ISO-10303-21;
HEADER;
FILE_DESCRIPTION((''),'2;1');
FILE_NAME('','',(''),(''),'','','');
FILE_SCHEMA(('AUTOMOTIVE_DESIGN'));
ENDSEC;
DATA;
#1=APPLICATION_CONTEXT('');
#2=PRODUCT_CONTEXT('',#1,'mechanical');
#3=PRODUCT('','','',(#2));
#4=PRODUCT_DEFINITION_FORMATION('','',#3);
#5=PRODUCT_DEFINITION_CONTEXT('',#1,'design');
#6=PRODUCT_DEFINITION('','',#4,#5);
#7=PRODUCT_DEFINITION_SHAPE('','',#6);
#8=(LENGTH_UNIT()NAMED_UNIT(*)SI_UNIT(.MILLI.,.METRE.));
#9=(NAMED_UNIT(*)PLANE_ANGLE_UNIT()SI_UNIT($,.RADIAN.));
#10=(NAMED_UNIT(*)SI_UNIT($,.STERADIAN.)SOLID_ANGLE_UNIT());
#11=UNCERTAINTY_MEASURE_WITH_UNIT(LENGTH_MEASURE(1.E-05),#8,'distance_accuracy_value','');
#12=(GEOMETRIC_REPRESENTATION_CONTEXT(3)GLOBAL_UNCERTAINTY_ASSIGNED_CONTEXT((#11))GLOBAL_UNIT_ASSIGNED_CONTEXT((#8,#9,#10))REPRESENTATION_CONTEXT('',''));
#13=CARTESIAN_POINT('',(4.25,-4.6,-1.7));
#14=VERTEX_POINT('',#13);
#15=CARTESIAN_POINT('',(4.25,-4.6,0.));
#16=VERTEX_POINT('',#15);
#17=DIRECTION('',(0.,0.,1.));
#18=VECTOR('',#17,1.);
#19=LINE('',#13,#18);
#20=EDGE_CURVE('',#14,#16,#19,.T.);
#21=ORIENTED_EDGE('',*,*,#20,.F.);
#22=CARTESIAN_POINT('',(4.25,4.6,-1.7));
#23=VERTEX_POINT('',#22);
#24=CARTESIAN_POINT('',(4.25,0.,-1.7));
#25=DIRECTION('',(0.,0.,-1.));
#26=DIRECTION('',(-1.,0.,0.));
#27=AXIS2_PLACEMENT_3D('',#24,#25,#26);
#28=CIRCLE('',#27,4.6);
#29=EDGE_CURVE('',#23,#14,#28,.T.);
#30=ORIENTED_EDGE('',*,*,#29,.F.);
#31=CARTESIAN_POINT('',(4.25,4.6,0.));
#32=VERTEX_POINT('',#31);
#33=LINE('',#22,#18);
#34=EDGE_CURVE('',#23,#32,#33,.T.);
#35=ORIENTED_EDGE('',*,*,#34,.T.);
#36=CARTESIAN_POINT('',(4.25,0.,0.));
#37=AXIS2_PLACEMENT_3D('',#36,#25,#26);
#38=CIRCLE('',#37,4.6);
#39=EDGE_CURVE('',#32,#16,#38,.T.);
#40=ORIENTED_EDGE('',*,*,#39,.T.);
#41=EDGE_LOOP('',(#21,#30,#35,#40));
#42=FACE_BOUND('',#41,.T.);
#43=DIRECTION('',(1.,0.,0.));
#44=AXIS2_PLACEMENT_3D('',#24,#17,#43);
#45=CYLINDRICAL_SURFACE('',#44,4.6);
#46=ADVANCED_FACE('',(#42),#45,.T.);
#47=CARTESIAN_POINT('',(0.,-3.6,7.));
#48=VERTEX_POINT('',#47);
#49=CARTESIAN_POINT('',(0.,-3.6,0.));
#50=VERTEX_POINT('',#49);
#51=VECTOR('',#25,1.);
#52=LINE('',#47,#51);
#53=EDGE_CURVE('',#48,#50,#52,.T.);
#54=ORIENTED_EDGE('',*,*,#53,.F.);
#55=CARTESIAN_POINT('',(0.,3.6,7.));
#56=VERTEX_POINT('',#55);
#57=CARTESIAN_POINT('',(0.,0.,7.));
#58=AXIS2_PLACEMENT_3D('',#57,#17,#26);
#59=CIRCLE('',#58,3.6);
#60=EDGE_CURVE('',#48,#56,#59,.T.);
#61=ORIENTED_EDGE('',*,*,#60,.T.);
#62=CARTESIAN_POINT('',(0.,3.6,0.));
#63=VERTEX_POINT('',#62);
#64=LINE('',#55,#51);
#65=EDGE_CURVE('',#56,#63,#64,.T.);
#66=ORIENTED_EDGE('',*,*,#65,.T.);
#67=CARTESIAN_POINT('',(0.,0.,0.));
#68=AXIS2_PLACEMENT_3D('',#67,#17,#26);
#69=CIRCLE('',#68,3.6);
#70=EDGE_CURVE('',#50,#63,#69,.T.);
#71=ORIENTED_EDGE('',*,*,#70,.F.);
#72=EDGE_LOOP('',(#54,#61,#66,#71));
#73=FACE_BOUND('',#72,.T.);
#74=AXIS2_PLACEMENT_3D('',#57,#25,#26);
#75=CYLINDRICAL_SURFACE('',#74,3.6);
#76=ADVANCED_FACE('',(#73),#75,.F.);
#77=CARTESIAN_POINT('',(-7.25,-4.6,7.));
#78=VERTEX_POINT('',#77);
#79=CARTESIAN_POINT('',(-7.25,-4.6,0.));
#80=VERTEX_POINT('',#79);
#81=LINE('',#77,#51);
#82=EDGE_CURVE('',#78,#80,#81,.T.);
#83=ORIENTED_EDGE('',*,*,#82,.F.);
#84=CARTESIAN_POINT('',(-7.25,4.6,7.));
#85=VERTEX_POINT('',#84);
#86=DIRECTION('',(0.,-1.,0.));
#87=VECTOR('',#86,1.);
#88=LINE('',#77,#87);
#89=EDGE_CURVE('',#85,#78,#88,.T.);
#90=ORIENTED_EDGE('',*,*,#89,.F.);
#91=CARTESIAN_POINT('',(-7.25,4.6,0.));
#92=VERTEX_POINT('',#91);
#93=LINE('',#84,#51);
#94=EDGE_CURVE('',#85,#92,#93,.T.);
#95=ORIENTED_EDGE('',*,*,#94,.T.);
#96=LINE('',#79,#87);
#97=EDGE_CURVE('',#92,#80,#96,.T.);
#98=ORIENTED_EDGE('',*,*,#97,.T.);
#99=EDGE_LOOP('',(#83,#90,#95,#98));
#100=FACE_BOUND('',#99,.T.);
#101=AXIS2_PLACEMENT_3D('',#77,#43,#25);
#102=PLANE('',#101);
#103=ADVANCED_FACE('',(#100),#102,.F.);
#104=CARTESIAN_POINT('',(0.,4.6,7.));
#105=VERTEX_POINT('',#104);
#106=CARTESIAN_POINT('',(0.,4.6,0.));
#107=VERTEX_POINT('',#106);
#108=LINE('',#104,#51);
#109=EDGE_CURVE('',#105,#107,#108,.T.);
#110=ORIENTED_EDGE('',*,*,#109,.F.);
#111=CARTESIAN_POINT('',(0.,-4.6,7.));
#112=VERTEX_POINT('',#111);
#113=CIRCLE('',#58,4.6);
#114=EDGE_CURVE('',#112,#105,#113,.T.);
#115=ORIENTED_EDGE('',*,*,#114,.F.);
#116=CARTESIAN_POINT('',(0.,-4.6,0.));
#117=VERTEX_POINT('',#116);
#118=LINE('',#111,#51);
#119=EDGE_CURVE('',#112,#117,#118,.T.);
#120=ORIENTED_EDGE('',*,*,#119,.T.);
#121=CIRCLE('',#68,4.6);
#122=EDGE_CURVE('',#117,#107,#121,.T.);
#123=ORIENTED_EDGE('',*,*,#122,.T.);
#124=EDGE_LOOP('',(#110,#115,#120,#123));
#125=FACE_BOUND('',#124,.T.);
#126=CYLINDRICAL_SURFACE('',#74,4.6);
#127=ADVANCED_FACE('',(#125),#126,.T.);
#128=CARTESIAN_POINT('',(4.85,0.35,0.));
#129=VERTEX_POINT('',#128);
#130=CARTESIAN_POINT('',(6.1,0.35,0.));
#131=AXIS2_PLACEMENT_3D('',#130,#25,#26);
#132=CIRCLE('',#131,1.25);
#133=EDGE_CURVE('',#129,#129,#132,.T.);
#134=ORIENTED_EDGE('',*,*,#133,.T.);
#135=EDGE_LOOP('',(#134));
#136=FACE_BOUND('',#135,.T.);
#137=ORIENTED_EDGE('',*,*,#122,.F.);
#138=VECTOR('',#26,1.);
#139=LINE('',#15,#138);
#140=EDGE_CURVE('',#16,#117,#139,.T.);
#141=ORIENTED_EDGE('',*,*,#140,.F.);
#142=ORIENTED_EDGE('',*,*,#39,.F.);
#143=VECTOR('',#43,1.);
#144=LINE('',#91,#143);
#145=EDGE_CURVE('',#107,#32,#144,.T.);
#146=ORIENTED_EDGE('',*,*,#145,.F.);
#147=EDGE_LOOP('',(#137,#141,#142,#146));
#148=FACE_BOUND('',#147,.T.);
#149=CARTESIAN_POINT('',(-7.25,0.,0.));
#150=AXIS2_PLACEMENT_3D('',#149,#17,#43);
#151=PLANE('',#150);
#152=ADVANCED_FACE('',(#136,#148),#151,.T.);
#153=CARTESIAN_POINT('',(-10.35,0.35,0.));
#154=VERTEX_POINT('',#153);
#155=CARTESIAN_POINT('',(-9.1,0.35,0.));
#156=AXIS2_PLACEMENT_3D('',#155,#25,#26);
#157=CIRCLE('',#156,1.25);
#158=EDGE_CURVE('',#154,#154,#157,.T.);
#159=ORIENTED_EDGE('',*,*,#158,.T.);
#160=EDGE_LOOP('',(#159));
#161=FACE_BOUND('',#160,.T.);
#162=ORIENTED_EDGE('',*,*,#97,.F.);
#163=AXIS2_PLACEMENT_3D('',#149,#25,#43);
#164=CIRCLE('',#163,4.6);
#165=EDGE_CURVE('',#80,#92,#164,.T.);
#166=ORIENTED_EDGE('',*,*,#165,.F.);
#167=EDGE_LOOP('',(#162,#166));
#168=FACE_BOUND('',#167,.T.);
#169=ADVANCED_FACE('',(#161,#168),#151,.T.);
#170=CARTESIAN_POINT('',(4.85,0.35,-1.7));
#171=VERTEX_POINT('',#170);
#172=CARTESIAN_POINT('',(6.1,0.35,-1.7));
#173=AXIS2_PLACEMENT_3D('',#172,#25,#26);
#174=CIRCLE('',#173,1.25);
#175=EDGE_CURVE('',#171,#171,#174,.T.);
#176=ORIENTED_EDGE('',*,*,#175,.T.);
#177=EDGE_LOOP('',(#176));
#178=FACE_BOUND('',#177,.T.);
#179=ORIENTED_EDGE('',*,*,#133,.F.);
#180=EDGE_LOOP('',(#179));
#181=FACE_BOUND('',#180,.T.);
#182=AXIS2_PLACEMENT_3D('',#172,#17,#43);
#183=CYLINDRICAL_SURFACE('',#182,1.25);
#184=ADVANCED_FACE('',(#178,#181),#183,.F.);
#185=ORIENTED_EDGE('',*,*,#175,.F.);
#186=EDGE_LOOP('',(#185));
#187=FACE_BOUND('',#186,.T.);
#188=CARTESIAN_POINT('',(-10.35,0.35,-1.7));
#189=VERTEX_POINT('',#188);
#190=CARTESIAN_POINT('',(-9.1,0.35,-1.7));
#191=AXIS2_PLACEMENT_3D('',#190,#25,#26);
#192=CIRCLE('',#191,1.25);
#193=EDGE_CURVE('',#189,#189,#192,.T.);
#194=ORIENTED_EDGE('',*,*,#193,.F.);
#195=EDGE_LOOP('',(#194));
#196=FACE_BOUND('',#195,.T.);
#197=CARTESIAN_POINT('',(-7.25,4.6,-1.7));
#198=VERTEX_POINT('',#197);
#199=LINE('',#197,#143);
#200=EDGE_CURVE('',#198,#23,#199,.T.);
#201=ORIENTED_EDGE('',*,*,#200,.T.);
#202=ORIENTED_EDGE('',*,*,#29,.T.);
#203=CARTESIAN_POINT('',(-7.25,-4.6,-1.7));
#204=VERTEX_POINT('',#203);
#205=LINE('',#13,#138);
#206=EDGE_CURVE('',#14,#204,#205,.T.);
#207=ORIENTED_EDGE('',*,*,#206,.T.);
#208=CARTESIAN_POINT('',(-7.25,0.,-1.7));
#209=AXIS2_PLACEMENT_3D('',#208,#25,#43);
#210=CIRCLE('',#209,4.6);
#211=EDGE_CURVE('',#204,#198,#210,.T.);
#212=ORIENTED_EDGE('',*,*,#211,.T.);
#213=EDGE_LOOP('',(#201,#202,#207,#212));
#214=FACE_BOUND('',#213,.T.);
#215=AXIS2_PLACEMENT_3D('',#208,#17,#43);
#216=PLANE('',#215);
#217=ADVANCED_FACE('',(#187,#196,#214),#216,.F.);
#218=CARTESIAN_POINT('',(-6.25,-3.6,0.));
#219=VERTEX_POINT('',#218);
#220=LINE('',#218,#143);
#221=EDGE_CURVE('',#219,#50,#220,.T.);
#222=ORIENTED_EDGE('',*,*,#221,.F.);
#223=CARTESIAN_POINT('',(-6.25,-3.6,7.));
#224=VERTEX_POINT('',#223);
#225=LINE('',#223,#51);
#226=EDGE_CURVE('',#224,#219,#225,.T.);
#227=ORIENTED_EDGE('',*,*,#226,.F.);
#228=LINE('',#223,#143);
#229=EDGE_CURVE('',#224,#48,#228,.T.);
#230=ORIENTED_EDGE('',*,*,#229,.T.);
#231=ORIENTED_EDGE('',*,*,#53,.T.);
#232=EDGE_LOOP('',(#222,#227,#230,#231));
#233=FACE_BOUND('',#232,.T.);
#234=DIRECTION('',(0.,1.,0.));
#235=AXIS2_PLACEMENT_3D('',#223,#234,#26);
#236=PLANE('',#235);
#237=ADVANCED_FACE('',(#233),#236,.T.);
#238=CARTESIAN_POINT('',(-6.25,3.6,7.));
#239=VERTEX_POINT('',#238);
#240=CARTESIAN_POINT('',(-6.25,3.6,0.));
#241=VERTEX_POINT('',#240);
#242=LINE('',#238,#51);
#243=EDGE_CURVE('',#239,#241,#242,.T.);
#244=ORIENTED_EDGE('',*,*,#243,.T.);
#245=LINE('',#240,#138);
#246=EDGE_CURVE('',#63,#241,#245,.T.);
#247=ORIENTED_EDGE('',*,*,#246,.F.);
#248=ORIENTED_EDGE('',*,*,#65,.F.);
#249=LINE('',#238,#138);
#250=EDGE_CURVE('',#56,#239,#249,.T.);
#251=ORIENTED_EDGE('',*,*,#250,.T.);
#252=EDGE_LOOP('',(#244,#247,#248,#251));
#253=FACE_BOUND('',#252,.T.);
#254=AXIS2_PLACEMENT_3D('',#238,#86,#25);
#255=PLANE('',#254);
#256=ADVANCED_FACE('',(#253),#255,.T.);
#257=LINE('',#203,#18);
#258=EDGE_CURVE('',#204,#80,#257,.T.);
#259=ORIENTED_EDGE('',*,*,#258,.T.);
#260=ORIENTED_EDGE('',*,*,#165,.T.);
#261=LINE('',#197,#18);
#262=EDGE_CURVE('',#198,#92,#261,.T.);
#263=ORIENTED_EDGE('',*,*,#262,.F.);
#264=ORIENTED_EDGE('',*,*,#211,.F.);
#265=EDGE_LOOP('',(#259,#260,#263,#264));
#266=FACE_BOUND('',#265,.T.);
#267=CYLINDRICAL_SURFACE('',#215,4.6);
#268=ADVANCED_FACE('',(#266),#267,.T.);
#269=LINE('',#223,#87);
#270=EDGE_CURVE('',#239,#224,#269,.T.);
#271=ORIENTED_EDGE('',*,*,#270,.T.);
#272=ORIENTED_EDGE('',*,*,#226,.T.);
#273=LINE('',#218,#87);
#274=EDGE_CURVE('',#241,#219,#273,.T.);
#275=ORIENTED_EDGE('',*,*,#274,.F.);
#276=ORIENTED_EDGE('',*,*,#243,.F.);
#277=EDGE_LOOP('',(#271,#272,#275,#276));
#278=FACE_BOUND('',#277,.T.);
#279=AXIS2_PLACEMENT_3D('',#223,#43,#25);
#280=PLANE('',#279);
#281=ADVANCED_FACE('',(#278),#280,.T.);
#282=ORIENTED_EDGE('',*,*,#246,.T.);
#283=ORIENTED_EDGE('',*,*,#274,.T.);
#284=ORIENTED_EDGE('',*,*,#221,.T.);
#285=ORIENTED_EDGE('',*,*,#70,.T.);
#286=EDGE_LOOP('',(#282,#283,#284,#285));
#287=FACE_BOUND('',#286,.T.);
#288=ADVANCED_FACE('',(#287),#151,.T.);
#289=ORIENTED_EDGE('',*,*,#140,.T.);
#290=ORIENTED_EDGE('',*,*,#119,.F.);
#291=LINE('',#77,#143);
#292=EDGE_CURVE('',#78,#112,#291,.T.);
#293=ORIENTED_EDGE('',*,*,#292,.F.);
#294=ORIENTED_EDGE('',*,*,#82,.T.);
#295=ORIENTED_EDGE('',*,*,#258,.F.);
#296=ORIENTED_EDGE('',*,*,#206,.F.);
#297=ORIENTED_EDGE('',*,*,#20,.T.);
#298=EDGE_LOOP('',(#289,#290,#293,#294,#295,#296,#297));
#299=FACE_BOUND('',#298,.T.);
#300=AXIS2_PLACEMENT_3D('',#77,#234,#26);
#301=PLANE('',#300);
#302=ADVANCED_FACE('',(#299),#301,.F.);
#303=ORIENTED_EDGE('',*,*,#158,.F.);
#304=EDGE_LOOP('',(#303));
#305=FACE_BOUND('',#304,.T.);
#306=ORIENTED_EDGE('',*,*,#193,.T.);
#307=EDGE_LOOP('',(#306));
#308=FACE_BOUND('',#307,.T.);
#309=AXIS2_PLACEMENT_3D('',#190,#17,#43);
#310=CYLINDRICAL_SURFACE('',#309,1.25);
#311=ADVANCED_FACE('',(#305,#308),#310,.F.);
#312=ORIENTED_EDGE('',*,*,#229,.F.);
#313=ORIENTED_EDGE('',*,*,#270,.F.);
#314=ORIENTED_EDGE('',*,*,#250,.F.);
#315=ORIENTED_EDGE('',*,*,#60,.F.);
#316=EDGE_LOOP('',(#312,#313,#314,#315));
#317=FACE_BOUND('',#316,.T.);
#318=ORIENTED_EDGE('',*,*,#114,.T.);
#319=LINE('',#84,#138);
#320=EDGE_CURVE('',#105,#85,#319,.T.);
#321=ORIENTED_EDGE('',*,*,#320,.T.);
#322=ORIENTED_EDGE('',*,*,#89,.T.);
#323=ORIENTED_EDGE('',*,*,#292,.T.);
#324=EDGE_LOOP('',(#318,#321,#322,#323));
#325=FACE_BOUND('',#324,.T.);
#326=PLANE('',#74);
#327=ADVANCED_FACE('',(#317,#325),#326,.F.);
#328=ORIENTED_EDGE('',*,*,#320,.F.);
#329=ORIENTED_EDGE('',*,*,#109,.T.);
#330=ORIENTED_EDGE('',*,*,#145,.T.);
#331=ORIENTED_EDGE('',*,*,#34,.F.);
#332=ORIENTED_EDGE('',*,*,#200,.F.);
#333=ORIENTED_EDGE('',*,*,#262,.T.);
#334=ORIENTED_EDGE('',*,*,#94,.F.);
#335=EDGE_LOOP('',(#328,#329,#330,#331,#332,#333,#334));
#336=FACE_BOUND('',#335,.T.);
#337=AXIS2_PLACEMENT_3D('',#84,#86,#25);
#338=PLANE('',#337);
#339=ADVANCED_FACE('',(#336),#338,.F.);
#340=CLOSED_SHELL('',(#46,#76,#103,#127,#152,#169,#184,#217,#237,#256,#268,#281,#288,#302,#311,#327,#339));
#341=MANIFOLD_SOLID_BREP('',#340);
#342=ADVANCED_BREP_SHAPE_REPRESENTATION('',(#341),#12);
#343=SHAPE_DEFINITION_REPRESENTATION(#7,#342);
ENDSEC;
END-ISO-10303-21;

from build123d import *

# Parameters (mm, degrees)
BOSS_EXTRU_1_DEPTH = 7
ESQUISSE2_R        = 1.25
BOSS_EXTRU_2_DEPTH = 1.7


with BuildPart() as part:
    # Esquisse1 → Boss.-Extru.1 (new body)
    with BuildSketch(Plane.XY):
        with BuildLine():
            Line((-7.25, -4.6), (-7.25, 4.6))
            Line((-7.25, 4.6), (0, 4.6))
            ThreePointArc((0, 4.6), (4.6, 0), (0, -4.6))
            Line((0, -4.6), (-7.25, -4.6))
        make_face()
        with BuildLine():
            Line((-6.25, -3.6), (-6.25, 3.6))
            Line((-6.25, 3.6), (0, 3.6))
            ThreePointArc((0, 3.6), (3.6, 0), (0, -3.6))
            Line((0, -3.6), (-6.25, -3.6))
        make_face(mode=Mode.SUBTRACT)
    extrude(amount=BOSS_EXTRU_1_DEPTH)

    # Esquisse2 → Boss.-Extru.2 (add)
    with BuildSketch(Plane(origin=(0, 0, 0), x_dir=(-1, 0, 0), z_dir=(0, 0, -1))):
        with BuildLine():
            Line((7.25, 4.6), (-4.25, 4.6))
            ThreePointArc((-4.25, 4.6), (-8.85, 0), (-4.25, -4.6))
            Line((-4.25, -4.6), (7.25, -4.6))
            ThreePointArc((7.25, -4.6), (11.85, 0), (7.25, 4.6))
        make_face()
        with Locations((9.1, 0.35)):
            Circle(ESQUISSE2_R, mode=Mode.SUBTRACT)
        with Locations((-6.1, 0.35)):
            Circle(ESQUISSE2_R, mode=Mode.SUBTRACT)
    extrude(amount=BOSS_EXTRU_2_DEPTH)


solid = part.part
